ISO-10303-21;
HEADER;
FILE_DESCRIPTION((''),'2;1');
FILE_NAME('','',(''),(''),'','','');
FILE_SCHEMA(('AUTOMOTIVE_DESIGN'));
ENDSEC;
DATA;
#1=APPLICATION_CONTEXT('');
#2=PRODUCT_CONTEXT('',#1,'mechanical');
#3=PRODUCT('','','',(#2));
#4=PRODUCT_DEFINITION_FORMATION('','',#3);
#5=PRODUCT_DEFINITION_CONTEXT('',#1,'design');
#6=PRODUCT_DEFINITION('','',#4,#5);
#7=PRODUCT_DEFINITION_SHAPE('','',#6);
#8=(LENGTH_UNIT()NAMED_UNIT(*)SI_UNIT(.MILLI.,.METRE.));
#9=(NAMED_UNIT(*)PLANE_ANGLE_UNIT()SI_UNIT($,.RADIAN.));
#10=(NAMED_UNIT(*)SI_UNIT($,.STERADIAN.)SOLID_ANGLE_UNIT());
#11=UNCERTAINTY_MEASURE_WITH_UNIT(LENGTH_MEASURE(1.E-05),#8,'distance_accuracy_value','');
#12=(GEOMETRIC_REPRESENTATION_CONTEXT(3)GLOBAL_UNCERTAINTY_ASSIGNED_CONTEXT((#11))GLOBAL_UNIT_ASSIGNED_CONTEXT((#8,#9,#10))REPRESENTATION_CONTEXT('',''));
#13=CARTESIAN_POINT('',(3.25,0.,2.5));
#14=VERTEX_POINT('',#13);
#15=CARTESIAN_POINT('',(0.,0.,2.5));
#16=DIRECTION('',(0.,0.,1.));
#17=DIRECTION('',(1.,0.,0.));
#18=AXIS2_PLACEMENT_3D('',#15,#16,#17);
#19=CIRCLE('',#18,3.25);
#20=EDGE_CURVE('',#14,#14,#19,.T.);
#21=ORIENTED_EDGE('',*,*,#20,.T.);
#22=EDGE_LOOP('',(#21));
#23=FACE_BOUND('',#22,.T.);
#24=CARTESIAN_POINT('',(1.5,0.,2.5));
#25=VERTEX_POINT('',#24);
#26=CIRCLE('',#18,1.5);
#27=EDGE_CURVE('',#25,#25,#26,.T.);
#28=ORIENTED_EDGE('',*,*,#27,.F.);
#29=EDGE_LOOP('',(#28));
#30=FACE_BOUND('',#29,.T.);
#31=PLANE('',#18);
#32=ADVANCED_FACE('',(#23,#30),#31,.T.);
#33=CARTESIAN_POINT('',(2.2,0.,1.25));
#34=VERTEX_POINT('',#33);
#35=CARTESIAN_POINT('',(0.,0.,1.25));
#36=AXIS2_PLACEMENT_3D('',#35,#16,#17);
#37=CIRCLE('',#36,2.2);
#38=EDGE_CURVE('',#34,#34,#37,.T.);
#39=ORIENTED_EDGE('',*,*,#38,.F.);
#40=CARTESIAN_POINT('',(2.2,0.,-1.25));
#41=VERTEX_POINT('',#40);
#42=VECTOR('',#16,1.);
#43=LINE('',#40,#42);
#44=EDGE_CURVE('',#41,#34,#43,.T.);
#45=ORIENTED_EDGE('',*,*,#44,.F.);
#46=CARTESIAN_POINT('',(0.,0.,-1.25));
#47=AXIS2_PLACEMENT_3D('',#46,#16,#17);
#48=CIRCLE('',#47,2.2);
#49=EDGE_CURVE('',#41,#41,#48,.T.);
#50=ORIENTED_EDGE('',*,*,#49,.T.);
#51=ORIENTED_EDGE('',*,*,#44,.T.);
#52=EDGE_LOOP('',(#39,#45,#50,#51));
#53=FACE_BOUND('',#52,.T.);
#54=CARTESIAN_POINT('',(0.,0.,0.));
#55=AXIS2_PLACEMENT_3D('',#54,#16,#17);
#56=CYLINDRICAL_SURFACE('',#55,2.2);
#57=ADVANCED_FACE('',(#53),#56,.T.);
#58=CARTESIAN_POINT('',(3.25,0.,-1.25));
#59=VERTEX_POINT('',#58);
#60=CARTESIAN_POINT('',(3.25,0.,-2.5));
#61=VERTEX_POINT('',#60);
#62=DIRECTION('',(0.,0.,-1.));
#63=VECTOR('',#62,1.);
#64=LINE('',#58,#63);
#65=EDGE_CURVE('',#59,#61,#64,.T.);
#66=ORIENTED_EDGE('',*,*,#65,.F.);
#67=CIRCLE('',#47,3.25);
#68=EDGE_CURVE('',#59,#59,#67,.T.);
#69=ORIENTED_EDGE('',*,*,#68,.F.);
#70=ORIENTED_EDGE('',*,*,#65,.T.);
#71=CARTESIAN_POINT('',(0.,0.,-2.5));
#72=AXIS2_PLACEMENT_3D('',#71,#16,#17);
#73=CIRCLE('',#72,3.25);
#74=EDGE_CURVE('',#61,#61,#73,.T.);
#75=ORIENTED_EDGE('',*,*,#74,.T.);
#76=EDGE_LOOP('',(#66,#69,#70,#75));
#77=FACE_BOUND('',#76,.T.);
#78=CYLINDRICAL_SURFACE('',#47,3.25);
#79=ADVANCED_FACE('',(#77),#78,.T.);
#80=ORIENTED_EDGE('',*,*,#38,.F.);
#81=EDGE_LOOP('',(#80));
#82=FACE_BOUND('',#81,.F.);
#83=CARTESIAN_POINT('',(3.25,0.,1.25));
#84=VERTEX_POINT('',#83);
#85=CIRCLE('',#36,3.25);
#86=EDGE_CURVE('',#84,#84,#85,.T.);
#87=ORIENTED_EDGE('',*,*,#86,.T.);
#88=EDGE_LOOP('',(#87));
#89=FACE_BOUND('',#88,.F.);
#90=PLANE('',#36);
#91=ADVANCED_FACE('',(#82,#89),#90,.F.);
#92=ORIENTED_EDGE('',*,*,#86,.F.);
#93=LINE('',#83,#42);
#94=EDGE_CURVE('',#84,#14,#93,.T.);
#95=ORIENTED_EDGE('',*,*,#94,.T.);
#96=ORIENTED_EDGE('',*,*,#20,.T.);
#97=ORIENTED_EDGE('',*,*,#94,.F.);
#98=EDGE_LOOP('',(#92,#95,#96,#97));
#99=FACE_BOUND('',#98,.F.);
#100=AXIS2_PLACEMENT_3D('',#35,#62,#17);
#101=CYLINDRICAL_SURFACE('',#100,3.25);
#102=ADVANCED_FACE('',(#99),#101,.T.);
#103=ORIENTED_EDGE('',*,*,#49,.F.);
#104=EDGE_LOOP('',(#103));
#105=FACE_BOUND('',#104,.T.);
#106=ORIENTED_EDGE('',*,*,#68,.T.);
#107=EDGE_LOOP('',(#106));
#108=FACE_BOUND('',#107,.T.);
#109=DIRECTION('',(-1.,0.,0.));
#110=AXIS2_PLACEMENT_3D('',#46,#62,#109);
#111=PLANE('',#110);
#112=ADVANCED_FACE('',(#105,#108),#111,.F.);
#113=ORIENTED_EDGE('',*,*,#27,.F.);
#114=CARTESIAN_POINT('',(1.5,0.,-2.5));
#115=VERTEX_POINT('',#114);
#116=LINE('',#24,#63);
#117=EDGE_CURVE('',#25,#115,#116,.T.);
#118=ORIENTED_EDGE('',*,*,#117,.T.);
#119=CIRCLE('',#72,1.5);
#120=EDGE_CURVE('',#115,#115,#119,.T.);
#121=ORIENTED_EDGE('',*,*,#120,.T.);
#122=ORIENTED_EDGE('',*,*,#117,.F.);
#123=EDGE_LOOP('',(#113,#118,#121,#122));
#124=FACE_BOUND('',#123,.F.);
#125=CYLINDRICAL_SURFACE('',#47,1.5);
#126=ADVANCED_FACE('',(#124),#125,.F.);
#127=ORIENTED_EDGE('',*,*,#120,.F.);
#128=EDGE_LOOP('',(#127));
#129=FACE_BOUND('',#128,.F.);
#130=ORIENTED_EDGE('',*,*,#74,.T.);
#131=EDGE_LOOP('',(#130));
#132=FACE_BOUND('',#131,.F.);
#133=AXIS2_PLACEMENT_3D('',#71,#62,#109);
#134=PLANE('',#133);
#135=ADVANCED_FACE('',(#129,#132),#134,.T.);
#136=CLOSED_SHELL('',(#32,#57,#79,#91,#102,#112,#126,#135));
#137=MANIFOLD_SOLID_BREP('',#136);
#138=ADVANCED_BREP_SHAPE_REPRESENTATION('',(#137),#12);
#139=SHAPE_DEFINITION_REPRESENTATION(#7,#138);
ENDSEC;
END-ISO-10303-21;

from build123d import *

# Parameters (mm, degrees)
F0_R     = 2.2
F0_R_2   = 1.5
F1_DEPTH = 1.25
F2_R     = 3.25
F2_R_2   = 1.5
F3_DEPTH = 1.25


with BuildPart() as f1:
    # F0 (on Top) → F1 (new body)
    with BuildSketch(Plane.XY):
        Circle(F0_R)
        Circle(F0_R_2, mode=Mode.SUBTRACT)
    extrude(amount=F1_DEPTH)

    # F2 (on face) → F3 (join)
    with BuildSketch(Plane.XY.offset(1.25)):
        Circle(F2_R)
        Circle(F2_R_2, mode=Mode.SUBTRACT)
    extrude(amount=F3_DEPTH)

    # F4: F1 across plane


with BuildPart() as f1_1:
    add(f1.part)
    add(f1.part.mirror(Plane.XY))


solid = f1_1.part
